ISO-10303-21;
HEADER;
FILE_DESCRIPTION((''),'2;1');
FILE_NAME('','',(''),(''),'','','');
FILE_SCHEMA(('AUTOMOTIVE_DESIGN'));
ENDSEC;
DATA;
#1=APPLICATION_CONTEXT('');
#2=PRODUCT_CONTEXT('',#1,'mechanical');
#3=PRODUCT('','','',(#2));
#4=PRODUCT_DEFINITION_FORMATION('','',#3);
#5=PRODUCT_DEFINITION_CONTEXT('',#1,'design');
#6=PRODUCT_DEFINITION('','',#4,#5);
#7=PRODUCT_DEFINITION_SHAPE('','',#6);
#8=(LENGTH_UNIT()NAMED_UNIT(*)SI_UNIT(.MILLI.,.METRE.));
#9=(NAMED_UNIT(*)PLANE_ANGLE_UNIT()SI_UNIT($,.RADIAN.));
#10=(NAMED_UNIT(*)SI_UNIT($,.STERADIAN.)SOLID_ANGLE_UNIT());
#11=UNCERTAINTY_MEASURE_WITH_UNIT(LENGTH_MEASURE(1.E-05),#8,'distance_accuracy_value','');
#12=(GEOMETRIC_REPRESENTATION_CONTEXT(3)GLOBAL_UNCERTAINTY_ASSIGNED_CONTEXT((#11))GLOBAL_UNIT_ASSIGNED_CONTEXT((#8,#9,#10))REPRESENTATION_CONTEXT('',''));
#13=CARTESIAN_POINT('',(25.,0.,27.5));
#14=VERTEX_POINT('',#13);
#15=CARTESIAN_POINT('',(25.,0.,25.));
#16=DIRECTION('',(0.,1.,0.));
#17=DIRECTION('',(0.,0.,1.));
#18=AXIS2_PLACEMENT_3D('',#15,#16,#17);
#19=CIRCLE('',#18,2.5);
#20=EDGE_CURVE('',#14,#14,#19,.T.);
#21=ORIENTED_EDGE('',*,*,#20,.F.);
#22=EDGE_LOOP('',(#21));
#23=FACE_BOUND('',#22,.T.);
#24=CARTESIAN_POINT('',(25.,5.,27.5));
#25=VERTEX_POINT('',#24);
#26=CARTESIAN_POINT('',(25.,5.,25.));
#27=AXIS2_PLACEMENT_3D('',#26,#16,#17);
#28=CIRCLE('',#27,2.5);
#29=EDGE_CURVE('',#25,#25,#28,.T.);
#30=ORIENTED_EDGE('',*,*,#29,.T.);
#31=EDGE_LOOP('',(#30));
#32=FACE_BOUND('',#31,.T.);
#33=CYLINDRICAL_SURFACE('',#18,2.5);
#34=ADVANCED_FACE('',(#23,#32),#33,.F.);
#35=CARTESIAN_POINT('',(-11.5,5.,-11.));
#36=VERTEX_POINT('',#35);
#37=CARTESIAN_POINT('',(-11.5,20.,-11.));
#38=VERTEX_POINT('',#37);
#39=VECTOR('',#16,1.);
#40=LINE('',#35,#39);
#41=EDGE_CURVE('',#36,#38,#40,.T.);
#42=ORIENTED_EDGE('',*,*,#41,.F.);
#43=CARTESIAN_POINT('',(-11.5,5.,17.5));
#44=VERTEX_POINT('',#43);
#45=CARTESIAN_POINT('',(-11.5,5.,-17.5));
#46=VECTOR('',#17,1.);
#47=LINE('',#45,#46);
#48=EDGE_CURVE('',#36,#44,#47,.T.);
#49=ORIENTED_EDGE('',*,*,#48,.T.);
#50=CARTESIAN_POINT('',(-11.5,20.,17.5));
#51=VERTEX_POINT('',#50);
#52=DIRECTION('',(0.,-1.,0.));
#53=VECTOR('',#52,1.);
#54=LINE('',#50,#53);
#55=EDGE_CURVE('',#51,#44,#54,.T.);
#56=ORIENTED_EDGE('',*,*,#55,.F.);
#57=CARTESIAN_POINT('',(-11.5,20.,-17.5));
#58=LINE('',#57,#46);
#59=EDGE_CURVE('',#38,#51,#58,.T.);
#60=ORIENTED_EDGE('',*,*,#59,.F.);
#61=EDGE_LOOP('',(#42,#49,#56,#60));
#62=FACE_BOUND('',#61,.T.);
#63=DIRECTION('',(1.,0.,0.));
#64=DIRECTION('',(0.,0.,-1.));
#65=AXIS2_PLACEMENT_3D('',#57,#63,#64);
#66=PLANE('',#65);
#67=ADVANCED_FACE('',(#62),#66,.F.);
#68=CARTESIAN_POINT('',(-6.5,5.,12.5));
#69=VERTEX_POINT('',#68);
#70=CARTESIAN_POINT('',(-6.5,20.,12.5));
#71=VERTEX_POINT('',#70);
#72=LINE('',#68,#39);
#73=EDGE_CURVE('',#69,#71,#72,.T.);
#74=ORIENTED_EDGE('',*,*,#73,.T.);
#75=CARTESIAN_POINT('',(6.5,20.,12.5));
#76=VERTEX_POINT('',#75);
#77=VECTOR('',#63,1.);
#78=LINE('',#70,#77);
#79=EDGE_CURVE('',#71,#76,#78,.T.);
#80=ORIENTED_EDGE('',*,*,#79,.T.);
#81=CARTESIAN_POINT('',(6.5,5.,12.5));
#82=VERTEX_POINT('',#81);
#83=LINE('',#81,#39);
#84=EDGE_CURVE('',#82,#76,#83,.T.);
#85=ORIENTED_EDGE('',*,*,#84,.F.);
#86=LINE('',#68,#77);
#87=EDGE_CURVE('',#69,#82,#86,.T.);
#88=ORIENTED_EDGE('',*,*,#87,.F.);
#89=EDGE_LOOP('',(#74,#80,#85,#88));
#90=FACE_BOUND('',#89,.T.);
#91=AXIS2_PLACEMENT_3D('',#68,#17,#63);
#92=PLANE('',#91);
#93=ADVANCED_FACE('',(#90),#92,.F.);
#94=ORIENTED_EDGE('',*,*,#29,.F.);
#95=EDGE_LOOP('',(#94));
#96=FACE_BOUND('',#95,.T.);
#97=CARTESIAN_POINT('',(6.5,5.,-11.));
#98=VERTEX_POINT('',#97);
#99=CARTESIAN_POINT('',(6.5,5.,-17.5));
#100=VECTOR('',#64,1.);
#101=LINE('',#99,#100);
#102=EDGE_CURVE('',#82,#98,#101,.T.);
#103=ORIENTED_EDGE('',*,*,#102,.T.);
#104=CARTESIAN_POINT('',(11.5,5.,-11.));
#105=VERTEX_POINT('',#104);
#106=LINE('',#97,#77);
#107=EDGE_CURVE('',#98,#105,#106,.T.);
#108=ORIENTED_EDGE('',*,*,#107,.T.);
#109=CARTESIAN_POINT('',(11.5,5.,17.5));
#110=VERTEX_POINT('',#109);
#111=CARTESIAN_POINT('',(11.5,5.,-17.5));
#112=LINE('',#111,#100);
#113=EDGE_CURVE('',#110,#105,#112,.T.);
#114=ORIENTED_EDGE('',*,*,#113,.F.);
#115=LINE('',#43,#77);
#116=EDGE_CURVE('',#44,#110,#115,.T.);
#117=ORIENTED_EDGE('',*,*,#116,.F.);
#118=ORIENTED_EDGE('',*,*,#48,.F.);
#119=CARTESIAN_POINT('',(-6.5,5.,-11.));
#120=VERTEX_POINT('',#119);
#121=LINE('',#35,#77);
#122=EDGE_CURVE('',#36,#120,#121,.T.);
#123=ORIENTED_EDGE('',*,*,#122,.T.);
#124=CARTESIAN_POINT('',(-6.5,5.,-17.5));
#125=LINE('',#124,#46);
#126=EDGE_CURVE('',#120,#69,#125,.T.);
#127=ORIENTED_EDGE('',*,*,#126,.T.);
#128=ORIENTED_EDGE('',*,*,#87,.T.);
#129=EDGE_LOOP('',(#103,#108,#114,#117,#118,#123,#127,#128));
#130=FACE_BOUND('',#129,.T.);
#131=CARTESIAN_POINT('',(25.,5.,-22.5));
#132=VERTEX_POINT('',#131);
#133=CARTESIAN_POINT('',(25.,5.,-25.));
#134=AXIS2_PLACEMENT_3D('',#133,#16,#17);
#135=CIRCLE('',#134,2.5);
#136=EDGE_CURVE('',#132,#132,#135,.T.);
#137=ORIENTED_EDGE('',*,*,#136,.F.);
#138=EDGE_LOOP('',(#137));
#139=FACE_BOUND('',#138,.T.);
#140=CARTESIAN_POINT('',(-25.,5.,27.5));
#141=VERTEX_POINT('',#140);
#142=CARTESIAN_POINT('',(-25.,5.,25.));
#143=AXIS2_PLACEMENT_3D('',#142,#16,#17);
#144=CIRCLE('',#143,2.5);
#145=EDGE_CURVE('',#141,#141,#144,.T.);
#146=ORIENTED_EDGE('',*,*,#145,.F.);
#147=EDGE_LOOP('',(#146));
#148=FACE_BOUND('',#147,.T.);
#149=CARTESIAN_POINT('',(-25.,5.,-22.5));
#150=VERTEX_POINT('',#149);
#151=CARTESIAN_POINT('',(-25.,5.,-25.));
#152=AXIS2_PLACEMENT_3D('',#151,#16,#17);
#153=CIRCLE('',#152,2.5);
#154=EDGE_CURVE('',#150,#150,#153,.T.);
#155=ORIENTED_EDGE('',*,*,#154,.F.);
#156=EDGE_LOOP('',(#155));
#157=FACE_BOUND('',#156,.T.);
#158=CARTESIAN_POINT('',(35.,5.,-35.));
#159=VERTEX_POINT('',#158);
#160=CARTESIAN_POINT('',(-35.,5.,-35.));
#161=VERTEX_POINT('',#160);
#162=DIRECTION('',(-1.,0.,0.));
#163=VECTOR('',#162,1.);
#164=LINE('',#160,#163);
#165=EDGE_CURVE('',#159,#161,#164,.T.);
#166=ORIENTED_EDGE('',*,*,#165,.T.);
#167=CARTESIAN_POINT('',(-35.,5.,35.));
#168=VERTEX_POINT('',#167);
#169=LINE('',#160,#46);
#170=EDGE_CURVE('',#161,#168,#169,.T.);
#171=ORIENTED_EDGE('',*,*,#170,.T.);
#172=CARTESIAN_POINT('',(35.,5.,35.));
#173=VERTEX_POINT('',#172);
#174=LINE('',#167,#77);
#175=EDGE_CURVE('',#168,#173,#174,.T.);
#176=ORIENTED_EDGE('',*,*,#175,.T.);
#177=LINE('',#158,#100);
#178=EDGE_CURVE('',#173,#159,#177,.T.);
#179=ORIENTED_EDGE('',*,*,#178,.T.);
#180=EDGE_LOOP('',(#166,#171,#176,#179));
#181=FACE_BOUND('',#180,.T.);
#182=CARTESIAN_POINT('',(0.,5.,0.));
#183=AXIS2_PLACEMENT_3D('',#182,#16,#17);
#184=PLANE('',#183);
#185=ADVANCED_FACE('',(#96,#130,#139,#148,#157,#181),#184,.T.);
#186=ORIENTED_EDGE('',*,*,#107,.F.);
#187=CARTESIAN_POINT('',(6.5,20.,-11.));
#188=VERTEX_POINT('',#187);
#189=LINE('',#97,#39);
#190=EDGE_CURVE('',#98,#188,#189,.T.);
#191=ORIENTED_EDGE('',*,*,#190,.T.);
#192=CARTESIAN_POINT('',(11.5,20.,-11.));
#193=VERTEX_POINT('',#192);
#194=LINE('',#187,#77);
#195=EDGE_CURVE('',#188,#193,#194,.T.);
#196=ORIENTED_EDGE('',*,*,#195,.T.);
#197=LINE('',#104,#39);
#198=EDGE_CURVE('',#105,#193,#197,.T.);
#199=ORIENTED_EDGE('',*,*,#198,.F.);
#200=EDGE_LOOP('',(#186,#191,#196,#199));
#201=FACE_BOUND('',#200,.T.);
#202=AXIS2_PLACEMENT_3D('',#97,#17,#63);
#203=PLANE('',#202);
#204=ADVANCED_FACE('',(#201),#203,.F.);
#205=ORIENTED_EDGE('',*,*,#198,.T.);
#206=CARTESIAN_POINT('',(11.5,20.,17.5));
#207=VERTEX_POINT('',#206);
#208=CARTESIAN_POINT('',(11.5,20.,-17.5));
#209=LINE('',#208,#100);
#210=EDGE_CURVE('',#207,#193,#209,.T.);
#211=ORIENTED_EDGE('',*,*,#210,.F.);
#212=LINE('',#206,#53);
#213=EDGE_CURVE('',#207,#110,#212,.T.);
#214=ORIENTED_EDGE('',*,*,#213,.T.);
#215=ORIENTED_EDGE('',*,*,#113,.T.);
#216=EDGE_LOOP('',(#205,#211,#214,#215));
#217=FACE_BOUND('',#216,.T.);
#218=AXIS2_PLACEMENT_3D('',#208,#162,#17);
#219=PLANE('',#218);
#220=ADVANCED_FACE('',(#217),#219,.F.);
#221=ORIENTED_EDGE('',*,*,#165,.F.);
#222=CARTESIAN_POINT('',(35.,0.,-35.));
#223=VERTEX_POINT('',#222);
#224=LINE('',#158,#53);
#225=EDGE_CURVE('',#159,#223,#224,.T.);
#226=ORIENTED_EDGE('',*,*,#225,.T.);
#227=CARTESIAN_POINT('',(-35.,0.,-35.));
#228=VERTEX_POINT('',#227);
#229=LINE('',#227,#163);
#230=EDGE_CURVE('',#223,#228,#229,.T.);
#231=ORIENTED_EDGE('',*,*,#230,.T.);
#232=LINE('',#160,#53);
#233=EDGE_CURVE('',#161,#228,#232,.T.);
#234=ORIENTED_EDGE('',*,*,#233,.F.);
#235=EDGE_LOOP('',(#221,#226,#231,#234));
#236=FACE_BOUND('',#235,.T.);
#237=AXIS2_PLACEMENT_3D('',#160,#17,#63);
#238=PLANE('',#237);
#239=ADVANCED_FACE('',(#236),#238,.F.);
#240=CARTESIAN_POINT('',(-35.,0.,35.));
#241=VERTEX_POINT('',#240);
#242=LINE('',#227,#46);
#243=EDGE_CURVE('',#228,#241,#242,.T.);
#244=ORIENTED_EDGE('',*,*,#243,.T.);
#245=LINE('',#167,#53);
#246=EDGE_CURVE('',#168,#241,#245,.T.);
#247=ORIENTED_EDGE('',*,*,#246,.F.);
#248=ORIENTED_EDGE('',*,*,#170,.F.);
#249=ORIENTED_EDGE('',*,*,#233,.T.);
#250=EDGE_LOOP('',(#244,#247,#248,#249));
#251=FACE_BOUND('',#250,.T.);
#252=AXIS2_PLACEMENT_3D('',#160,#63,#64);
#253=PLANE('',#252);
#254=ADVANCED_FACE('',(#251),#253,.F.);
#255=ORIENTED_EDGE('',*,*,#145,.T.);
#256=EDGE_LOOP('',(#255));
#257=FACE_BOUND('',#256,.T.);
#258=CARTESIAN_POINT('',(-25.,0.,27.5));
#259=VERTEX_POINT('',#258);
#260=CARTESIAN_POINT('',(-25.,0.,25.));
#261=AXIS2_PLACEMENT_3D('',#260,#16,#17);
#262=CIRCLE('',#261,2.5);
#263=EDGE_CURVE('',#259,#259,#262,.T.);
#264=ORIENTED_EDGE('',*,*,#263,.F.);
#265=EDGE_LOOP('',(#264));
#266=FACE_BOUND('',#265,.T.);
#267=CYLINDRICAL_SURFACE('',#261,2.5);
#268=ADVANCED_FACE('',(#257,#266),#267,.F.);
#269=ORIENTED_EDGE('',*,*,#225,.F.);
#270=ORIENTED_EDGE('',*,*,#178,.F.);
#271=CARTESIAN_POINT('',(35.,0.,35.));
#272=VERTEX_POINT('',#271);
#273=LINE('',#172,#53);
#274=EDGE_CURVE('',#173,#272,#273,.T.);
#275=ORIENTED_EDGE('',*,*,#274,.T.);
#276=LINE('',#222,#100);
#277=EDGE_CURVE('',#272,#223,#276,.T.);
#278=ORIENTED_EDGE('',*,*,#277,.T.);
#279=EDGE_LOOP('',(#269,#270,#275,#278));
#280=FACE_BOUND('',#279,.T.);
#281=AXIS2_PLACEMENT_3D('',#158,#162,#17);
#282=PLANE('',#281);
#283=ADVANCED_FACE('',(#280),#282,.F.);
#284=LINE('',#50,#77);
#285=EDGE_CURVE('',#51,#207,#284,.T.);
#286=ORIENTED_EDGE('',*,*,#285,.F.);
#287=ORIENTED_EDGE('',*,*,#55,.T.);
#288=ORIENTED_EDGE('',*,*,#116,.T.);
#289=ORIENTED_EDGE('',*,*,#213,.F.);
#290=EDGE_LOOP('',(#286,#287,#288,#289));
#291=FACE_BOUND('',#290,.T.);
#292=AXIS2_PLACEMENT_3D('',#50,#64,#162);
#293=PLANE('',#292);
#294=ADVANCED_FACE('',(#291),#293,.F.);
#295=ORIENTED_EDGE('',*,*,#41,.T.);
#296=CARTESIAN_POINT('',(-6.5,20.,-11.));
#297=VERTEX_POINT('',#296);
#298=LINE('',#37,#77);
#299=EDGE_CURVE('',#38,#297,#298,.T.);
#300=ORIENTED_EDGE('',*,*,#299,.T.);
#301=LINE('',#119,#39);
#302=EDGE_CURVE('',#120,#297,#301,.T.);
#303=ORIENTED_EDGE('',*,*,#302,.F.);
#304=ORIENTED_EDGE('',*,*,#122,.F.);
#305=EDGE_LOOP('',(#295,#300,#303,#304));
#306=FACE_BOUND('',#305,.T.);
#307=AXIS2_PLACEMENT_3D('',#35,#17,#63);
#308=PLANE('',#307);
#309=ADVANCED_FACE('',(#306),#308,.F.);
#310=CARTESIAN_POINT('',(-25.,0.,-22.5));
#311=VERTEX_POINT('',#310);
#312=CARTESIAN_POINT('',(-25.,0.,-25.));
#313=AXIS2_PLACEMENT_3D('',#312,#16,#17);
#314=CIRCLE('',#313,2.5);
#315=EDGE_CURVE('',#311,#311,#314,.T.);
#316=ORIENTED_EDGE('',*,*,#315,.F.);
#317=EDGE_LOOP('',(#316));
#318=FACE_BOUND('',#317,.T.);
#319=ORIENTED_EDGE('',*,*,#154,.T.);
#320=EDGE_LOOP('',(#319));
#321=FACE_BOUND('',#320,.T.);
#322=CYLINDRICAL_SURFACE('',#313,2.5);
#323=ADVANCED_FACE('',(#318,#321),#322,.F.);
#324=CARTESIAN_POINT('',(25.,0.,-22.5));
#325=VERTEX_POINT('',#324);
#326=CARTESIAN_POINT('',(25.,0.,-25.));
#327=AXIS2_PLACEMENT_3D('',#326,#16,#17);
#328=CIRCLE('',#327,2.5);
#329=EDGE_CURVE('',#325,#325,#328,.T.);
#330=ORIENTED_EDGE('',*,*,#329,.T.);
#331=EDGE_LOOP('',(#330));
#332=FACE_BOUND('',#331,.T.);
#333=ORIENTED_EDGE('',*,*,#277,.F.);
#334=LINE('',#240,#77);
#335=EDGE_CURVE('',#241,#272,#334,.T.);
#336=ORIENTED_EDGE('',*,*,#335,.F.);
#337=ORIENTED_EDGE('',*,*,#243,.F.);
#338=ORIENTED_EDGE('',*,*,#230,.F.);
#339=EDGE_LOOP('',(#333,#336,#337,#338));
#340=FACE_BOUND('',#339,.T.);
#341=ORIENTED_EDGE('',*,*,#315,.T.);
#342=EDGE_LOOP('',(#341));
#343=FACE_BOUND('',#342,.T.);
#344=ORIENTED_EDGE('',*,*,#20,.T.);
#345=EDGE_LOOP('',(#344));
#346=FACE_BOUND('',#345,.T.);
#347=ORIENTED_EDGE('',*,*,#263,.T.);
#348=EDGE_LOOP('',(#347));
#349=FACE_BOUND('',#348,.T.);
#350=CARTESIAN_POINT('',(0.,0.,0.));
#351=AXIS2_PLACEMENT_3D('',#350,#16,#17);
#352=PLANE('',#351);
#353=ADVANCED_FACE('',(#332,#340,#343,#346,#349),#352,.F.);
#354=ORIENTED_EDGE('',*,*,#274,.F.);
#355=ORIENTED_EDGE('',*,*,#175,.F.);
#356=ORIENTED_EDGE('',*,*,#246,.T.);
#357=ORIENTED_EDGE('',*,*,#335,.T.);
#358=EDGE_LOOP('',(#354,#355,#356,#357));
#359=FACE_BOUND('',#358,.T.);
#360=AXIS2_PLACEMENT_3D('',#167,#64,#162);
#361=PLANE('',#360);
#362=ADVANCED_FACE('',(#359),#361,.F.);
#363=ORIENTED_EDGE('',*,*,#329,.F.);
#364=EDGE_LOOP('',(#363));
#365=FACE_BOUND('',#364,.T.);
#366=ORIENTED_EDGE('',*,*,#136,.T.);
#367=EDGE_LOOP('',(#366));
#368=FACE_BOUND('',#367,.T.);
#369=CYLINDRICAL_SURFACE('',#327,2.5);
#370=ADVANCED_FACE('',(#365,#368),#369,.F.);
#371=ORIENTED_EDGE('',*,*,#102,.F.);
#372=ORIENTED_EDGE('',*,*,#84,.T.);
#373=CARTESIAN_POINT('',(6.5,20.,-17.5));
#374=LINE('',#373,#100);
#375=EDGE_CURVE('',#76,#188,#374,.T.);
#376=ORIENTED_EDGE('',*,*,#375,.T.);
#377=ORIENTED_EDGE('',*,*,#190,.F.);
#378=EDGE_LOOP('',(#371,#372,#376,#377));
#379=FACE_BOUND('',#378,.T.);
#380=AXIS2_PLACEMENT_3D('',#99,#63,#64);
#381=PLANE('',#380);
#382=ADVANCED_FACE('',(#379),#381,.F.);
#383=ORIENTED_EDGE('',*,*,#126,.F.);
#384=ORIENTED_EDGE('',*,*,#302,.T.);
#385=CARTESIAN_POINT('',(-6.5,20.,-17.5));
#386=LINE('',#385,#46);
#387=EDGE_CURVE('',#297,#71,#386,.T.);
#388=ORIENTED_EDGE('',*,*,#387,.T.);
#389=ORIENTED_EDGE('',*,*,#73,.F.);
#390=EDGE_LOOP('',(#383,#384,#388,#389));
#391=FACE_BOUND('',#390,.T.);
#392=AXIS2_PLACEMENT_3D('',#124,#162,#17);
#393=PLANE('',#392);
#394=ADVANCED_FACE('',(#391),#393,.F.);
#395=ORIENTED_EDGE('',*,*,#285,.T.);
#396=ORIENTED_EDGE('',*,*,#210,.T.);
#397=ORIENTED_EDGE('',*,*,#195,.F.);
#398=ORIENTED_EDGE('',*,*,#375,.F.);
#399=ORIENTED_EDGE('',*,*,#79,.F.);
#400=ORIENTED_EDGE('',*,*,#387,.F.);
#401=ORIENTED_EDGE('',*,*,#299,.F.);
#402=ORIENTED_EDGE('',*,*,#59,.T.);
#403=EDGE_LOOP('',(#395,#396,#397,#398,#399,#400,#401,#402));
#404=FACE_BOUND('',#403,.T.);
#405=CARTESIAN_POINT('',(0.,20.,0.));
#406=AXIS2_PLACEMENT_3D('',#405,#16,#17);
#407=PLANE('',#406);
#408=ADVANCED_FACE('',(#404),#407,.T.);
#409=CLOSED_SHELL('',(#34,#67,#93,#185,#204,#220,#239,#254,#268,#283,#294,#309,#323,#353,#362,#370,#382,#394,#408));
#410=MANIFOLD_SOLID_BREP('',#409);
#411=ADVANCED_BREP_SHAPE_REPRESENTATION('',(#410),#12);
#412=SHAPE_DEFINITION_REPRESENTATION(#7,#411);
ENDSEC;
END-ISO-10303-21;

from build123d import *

# Parameters (mm, degrees)
SKETCH1_W           = 70
SKETCH1_H           = 70
BOSS_EXTRUDE1_DEPTH = 5
SKETCH2_R           = 2.5
CUT_EXTRUDE1_DEPTH  = 5
SKETCH3_R           = 2.5
CUT_EXTRUDE2_DEPTH  = 5
SKETCH4_R           = 2.5
CUT_EXTRUDE3_DEPTH  = 5
SKETCH5_R           = 2.5
CUT_EXTRUDE4_DEPTH  = 5
SKETCH6_W           = 23
SKETCH6_H           = 35
BOSS_EXTRUDE2_DEPTH = 15
SKETCH7_W           = 13
SKETCH7_H           = 30
CUT_EXTRUDE5_DEPTH  = 15
SKETCH8_W           = 5
SKETCH8_H           = 6.5
CUT_EXTRUDE6_DEPTH  = 15
SKETCH9_W           = 5
SKETCH9_H           = 6.5
CUT_EXTRUDE7_DEPTH  = 15


with BuildPart() as part:
    # Sketch1 → Boss-Extrude1 (new body)
    with BuildSketch(Plane(origin=(0, 0, 0), x_dir=(1, 0, 0), z_dir=(0, 1, 0))):
        Rectangle(SKETCH1_W, SKETCH1_H)
    extrude(amount=BOSS_EXTRUDE1_DEPTH)

    # Sketch2 → Cut-Extrude1 (cut)
    with BuildSketch(Plane(origin=(0, 5, 0), x_dir=(1, 0, 0), z_dir=(0, 1, 0))):
        with Locations(Location((-25, 25, 0), (0, 0, 270))):
            Circle(SKETCH2_R)
    extrude(amount=-CUT_EXTRUDE1_DEPTH, mode=Mode.SUBTRACT)

    # Sketch3 → Cut-Extrude2 (cut)
    with BuildSketch(Plane(origin=(0, 5, 0), x_dir=(1, 0, 0), z_dir=(0, 1, 0))):
        with Locations(Location((25, 25, 0), (0, 0, 270))):
            Circle(SKETCH3_R)
    extrude(amount=-CUT_EXTRUDE2_DEPTH, mode=Mode.SUBTRACT)

    # Sketch4 → Cut-Extrude3 (cut)
    with BuildSketch(Plane(origin=(0, 5, 0), x_dir=(1, 0, 0), z_dir=(0, 1, 0))):
        with Locations(Location((-25, -25, 0), (0, 0, 270))):
            Circle(SKETCH4_R)
    extrude(amount=-CUT_EXTRUDE3_DEPTH, mode=Mode.SUBTRACT)

    # Sketch5 → Cut-Extrude4 (cut)
    with BuildSketch(Plane(origin=(0, 5, 0), x_dir=(1, 0, 0), z_dir=(0, 1, 0))):
        with Locations(Location((25, -25, 0), (0, 0, 270))):
            Circle(SKETCH5_R)
    extrude(amount=-CUT_EXTRUDE4_DEPTH, mode=Mode.SUBTRACT)

    # Sketch6 → Boss-Extrude2 (add)
    with BuildSketch(Plane(origin=(0, 5, 0), x_dir=(1, 0, 0), z_dir=(0, 1, 0))):
        Rectangle(SKETCH6_W, SKETCH6_H)
    extrude(amount=BOSS_EXTRUDE2_DEPTH)

    # Sketch7 → Cut-Extrude5 (cut)
    with BuildSketch(Plane(origin=(0, 20, 0), x_dir=(1, 0, 0), z_dir=(0, 1, 0))):
        with Locations((0, 2.5)):
            Rectangle(SKETCH7_W, SKETCH7_H)
    extrude(amount=-CUT_EXTRUDE5_DEPTH, mode=Mode.SUBTRACT)

    # Sketch8 → Cut-Extrude6 (cut)
    with BuildSketch(Plane(origin=(0, 20, 0), x_dir=(1, 0, 0), z_dir=(0, 1, 0))):
        with Locations((-9, 14.25)):
            Rectangle(SKETCH8_W, SKETCH8_H)
    extrude(amount=-CUT_EXTRUDE6_DEPTH, mode=Mode.SUBTRACT)

    # Sketch9 → Cut-Extrude7 (cut)
    with BuildSketch(Plane(origin=(0, 20, 0), x_dir=(1, 0, 0), z_dir=(0, 1, 0))):
        with Locations((9, 14.25)):
            Rectangle(SKETCH9_W, SKETCH9_H)
    extrude(amount=-CUT_EXTRUDE7_DEPTH, mode=Mode.SUBTRACT)


solid = part.part
